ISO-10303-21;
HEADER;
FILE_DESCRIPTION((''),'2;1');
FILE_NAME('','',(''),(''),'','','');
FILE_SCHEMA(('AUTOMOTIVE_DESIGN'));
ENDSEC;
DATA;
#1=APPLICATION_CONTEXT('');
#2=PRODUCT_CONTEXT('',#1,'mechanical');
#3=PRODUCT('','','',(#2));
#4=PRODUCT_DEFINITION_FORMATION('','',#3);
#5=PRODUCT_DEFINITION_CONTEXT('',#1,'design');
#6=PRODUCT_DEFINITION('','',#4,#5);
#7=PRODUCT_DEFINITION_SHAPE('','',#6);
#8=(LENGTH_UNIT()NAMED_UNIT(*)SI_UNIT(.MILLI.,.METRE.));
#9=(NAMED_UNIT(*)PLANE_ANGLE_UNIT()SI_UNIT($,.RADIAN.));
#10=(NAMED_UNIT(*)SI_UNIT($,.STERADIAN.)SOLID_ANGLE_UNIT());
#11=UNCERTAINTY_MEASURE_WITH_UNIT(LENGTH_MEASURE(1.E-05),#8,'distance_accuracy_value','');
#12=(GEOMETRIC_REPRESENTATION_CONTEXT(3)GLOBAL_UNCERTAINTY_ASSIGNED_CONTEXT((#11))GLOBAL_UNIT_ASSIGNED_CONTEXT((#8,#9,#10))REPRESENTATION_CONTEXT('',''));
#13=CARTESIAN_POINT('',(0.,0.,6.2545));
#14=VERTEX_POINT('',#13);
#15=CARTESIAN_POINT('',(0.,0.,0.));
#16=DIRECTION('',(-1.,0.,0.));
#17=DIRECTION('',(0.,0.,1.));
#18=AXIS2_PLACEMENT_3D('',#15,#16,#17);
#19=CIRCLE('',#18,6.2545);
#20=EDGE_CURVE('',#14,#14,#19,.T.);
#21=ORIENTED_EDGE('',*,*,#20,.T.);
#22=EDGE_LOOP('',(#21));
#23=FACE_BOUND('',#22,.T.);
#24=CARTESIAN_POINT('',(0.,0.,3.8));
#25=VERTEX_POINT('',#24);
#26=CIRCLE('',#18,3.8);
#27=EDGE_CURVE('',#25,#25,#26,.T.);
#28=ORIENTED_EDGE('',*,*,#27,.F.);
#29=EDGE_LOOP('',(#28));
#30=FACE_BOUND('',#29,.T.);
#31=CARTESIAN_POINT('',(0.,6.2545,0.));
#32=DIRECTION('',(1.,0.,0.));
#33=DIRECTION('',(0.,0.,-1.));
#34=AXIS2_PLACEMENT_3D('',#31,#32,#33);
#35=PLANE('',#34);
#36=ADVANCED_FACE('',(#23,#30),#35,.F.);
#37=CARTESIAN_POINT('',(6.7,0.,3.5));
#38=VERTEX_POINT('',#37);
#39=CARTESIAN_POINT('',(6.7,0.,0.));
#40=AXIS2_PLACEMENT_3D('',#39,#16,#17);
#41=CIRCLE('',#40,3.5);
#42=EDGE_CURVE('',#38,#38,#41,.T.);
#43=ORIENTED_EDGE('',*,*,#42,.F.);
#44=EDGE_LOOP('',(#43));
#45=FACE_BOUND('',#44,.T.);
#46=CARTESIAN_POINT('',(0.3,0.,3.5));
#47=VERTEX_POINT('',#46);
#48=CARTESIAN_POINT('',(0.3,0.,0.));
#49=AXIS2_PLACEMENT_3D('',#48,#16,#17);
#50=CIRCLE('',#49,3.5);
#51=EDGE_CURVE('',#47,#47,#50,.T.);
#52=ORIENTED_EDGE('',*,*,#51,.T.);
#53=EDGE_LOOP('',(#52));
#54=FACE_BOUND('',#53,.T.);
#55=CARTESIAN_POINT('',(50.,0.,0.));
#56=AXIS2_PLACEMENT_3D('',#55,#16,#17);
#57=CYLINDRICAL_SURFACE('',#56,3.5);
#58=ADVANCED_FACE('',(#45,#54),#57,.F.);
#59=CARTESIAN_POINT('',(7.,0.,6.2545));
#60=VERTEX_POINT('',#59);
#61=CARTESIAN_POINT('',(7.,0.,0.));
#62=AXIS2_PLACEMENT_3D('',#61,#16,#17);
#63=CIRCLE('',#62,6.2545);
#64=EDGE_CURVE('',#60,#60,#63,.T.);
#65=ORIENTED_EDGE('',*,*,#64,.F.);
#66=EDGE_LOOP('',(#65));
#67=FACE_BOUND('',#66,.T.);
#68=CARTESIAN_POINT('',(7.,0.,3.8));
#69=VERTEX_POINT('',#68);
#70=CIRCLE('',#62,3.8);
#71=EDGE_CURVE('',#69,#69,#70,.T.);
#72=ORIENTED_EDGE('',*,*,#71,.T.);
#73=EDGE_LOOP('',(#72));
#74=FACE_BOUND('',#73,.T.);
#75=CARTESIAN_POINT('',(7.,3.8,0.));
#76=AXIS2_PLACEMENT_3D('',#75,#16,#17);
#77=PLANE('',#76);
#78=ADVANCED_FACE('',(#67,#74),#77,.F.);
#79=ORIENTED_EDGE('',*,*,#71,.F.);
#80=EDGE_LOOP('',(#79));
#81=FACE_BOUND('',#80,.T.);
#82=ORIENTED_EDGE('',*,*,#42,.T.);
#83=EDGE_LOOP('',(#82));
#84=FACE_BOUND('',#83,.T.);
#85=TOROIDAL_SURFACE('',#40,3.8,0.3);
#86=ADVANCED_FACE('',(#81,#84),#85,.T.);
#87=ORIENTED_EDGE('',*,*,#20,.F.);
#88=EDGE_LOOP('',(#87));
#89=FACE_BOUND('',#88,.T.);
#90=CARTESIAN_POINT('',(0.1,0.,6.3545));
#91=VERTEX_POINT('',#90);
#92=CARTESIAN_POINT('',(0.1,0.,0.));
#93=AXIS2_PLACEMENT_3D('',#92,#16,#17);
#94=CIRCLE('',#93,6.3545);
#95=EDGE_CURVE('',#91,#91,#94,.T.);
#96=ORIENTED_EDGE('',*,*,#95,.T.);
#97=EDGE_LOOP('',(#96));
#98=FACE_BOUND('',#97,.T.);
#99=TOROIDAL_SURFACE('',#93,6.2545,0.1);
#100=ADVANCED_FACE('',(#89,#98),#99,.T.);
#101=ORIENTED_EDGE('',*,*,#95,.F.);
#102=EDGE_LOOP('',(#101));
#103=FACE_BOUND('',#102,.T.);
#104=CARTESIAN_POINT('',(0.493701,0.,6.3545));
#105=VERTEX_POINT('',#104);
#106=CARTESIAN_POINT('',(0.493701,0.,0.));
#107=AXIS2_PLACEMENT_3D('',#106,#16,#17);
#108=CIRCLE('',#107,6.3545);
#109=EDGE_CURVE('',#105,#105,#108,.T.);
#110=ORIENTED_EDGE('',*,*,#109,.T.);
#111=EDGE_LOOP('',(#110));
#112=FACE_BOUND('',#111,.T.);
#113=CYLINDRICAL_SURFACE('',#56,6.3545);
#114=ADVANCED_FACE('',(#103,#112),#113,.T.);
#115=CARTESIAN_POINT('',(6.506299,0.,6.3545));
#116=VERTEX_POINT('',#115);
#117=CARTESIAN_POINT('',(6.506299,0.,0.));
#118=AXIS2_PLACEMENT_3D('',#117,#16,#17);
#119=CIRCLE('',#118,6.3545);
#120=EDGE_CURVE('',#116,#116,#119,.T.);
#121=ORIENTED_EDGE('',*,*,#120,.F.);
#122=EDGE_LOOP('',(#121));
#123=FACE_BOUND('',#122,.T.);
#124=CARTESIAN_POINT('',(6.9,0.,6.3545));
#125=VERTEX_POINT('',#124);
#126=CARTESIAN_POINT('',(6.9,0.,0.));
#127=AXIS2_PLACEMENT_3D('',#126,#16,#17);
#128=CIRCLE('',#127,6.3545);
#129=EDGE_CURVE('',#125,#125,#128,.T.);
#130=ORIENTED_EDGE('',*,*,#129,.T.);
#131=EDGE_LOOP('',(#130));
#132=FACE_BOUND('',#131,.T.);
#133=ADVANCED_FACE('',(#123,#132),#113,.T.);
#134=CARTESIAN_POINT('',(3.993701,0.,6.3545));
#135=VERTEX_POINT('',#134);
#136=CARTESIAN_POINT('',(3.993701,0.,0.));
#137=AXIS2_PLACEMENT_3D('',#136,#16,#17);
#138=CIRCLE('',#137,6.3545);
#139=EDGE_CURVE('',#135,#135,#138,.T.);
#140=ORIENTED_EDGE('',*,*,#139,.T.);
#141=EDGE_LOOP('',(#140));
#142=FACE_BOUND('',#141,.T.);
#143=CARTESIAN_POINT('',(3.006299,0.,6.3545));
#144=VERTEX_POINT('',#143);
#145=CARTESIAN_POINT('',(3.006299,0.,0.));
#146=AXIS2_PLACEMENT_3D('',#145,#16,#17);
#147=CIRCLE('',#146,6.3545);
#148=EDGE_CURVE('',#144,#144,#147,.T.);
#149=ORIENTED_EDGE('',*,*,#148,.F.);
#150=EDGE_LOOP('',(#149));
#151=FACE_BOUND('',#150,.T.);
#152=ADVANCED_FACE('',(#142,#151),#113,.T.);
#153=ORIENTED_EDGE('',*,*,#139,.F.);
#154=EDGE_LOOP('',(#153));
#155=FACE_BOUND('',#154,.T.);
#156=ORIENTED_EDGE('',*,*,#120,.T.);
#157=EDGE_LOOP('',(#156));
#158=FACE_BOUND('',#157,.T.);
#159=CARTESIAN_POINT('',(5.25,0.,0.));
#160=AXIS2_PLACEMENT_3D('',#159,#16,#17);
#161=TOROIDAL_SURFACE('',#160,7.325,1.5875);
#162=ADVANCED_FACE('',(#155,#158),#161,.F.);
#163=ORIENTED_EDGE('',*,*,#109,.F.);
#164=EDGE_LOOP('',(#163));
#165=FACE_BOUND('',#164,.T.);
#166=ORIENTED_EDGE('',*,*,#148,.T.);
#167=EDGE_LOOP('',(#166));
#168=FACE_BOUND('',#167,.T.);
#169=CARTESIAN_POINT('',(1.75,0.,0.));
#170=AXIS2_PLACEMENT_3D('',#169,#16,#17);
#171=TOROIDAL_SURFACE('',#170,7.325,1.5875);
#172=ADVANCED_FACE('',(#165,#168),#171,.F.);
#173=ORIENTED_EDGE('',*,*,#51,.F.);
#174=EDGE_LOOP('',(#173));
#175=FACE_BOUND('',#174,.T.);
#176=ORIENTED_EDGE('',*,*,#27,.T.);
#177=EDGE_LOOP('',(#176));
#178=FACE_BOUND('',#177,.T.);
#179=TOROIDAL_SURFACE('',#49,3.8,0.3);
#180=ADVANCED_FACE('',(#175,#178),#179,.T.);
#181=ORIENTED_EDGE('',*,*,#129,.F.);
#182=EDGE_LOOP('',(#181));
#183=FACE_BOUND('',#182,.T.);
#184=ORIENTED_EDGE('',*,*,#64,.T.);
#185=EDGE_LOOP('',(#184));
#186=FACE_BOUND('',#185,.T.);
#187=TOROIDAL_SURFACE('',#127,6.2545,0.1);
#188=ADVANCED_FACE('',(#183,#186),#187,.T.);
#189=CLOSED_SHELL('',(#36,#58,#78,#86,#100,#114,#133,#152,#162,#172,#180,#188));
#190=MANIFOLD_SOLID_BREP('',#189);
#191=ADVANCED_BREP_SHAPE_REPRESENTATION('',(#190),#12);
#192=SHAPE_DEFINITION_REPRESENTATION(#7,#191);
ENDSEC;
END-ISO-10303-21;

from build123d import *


with BuildPart() as part:
    # Sketch1 → Revolve1 (revolve)
    with BuildSketch(Plane.XY):
        with BuildLine():
            Line((0, 6.2545), (0, 3.8))
            ThreePointArc((0, 3.8), (0.087867966, 3.587867966), (0.3, 3.5))
            Line((0.3, 3.5), (6.7, 3.5))
            ThreePointArc((6.7, 3.5), (6.912132034, 3.587867966), (7, 3.8))
            Line((7, 3.8), (7, 6.2545))
            ThreePointArc((7, 6.2545), (6.970710678, 6.325210678), (6.9, 6.3545))
            Line((6.9, 6.3545), (6.506298531, 6.3545))
            ThreePointArc((6.506298531, 6.3545), (5.25, 5.7375), (3.993701469, 6.3545))
            Line((3.993701469, 6.3545), (3.006298531, 6.3545))
            ThreePointArc((3.006298531, 6.3545), (1.75, 5.7375), (0.493701469, 6.3545))
            Line((0.493701469, 6.3545), (0.1, 6.3545))
            ThreePointArc((0.1, 6.3545), (0.029289322, 6.325210678), (0, 6.2545))
        make_face()
    revolve(axis=Axis((50, 0, 0), (-1, 0, 0)))


solid = part.part
